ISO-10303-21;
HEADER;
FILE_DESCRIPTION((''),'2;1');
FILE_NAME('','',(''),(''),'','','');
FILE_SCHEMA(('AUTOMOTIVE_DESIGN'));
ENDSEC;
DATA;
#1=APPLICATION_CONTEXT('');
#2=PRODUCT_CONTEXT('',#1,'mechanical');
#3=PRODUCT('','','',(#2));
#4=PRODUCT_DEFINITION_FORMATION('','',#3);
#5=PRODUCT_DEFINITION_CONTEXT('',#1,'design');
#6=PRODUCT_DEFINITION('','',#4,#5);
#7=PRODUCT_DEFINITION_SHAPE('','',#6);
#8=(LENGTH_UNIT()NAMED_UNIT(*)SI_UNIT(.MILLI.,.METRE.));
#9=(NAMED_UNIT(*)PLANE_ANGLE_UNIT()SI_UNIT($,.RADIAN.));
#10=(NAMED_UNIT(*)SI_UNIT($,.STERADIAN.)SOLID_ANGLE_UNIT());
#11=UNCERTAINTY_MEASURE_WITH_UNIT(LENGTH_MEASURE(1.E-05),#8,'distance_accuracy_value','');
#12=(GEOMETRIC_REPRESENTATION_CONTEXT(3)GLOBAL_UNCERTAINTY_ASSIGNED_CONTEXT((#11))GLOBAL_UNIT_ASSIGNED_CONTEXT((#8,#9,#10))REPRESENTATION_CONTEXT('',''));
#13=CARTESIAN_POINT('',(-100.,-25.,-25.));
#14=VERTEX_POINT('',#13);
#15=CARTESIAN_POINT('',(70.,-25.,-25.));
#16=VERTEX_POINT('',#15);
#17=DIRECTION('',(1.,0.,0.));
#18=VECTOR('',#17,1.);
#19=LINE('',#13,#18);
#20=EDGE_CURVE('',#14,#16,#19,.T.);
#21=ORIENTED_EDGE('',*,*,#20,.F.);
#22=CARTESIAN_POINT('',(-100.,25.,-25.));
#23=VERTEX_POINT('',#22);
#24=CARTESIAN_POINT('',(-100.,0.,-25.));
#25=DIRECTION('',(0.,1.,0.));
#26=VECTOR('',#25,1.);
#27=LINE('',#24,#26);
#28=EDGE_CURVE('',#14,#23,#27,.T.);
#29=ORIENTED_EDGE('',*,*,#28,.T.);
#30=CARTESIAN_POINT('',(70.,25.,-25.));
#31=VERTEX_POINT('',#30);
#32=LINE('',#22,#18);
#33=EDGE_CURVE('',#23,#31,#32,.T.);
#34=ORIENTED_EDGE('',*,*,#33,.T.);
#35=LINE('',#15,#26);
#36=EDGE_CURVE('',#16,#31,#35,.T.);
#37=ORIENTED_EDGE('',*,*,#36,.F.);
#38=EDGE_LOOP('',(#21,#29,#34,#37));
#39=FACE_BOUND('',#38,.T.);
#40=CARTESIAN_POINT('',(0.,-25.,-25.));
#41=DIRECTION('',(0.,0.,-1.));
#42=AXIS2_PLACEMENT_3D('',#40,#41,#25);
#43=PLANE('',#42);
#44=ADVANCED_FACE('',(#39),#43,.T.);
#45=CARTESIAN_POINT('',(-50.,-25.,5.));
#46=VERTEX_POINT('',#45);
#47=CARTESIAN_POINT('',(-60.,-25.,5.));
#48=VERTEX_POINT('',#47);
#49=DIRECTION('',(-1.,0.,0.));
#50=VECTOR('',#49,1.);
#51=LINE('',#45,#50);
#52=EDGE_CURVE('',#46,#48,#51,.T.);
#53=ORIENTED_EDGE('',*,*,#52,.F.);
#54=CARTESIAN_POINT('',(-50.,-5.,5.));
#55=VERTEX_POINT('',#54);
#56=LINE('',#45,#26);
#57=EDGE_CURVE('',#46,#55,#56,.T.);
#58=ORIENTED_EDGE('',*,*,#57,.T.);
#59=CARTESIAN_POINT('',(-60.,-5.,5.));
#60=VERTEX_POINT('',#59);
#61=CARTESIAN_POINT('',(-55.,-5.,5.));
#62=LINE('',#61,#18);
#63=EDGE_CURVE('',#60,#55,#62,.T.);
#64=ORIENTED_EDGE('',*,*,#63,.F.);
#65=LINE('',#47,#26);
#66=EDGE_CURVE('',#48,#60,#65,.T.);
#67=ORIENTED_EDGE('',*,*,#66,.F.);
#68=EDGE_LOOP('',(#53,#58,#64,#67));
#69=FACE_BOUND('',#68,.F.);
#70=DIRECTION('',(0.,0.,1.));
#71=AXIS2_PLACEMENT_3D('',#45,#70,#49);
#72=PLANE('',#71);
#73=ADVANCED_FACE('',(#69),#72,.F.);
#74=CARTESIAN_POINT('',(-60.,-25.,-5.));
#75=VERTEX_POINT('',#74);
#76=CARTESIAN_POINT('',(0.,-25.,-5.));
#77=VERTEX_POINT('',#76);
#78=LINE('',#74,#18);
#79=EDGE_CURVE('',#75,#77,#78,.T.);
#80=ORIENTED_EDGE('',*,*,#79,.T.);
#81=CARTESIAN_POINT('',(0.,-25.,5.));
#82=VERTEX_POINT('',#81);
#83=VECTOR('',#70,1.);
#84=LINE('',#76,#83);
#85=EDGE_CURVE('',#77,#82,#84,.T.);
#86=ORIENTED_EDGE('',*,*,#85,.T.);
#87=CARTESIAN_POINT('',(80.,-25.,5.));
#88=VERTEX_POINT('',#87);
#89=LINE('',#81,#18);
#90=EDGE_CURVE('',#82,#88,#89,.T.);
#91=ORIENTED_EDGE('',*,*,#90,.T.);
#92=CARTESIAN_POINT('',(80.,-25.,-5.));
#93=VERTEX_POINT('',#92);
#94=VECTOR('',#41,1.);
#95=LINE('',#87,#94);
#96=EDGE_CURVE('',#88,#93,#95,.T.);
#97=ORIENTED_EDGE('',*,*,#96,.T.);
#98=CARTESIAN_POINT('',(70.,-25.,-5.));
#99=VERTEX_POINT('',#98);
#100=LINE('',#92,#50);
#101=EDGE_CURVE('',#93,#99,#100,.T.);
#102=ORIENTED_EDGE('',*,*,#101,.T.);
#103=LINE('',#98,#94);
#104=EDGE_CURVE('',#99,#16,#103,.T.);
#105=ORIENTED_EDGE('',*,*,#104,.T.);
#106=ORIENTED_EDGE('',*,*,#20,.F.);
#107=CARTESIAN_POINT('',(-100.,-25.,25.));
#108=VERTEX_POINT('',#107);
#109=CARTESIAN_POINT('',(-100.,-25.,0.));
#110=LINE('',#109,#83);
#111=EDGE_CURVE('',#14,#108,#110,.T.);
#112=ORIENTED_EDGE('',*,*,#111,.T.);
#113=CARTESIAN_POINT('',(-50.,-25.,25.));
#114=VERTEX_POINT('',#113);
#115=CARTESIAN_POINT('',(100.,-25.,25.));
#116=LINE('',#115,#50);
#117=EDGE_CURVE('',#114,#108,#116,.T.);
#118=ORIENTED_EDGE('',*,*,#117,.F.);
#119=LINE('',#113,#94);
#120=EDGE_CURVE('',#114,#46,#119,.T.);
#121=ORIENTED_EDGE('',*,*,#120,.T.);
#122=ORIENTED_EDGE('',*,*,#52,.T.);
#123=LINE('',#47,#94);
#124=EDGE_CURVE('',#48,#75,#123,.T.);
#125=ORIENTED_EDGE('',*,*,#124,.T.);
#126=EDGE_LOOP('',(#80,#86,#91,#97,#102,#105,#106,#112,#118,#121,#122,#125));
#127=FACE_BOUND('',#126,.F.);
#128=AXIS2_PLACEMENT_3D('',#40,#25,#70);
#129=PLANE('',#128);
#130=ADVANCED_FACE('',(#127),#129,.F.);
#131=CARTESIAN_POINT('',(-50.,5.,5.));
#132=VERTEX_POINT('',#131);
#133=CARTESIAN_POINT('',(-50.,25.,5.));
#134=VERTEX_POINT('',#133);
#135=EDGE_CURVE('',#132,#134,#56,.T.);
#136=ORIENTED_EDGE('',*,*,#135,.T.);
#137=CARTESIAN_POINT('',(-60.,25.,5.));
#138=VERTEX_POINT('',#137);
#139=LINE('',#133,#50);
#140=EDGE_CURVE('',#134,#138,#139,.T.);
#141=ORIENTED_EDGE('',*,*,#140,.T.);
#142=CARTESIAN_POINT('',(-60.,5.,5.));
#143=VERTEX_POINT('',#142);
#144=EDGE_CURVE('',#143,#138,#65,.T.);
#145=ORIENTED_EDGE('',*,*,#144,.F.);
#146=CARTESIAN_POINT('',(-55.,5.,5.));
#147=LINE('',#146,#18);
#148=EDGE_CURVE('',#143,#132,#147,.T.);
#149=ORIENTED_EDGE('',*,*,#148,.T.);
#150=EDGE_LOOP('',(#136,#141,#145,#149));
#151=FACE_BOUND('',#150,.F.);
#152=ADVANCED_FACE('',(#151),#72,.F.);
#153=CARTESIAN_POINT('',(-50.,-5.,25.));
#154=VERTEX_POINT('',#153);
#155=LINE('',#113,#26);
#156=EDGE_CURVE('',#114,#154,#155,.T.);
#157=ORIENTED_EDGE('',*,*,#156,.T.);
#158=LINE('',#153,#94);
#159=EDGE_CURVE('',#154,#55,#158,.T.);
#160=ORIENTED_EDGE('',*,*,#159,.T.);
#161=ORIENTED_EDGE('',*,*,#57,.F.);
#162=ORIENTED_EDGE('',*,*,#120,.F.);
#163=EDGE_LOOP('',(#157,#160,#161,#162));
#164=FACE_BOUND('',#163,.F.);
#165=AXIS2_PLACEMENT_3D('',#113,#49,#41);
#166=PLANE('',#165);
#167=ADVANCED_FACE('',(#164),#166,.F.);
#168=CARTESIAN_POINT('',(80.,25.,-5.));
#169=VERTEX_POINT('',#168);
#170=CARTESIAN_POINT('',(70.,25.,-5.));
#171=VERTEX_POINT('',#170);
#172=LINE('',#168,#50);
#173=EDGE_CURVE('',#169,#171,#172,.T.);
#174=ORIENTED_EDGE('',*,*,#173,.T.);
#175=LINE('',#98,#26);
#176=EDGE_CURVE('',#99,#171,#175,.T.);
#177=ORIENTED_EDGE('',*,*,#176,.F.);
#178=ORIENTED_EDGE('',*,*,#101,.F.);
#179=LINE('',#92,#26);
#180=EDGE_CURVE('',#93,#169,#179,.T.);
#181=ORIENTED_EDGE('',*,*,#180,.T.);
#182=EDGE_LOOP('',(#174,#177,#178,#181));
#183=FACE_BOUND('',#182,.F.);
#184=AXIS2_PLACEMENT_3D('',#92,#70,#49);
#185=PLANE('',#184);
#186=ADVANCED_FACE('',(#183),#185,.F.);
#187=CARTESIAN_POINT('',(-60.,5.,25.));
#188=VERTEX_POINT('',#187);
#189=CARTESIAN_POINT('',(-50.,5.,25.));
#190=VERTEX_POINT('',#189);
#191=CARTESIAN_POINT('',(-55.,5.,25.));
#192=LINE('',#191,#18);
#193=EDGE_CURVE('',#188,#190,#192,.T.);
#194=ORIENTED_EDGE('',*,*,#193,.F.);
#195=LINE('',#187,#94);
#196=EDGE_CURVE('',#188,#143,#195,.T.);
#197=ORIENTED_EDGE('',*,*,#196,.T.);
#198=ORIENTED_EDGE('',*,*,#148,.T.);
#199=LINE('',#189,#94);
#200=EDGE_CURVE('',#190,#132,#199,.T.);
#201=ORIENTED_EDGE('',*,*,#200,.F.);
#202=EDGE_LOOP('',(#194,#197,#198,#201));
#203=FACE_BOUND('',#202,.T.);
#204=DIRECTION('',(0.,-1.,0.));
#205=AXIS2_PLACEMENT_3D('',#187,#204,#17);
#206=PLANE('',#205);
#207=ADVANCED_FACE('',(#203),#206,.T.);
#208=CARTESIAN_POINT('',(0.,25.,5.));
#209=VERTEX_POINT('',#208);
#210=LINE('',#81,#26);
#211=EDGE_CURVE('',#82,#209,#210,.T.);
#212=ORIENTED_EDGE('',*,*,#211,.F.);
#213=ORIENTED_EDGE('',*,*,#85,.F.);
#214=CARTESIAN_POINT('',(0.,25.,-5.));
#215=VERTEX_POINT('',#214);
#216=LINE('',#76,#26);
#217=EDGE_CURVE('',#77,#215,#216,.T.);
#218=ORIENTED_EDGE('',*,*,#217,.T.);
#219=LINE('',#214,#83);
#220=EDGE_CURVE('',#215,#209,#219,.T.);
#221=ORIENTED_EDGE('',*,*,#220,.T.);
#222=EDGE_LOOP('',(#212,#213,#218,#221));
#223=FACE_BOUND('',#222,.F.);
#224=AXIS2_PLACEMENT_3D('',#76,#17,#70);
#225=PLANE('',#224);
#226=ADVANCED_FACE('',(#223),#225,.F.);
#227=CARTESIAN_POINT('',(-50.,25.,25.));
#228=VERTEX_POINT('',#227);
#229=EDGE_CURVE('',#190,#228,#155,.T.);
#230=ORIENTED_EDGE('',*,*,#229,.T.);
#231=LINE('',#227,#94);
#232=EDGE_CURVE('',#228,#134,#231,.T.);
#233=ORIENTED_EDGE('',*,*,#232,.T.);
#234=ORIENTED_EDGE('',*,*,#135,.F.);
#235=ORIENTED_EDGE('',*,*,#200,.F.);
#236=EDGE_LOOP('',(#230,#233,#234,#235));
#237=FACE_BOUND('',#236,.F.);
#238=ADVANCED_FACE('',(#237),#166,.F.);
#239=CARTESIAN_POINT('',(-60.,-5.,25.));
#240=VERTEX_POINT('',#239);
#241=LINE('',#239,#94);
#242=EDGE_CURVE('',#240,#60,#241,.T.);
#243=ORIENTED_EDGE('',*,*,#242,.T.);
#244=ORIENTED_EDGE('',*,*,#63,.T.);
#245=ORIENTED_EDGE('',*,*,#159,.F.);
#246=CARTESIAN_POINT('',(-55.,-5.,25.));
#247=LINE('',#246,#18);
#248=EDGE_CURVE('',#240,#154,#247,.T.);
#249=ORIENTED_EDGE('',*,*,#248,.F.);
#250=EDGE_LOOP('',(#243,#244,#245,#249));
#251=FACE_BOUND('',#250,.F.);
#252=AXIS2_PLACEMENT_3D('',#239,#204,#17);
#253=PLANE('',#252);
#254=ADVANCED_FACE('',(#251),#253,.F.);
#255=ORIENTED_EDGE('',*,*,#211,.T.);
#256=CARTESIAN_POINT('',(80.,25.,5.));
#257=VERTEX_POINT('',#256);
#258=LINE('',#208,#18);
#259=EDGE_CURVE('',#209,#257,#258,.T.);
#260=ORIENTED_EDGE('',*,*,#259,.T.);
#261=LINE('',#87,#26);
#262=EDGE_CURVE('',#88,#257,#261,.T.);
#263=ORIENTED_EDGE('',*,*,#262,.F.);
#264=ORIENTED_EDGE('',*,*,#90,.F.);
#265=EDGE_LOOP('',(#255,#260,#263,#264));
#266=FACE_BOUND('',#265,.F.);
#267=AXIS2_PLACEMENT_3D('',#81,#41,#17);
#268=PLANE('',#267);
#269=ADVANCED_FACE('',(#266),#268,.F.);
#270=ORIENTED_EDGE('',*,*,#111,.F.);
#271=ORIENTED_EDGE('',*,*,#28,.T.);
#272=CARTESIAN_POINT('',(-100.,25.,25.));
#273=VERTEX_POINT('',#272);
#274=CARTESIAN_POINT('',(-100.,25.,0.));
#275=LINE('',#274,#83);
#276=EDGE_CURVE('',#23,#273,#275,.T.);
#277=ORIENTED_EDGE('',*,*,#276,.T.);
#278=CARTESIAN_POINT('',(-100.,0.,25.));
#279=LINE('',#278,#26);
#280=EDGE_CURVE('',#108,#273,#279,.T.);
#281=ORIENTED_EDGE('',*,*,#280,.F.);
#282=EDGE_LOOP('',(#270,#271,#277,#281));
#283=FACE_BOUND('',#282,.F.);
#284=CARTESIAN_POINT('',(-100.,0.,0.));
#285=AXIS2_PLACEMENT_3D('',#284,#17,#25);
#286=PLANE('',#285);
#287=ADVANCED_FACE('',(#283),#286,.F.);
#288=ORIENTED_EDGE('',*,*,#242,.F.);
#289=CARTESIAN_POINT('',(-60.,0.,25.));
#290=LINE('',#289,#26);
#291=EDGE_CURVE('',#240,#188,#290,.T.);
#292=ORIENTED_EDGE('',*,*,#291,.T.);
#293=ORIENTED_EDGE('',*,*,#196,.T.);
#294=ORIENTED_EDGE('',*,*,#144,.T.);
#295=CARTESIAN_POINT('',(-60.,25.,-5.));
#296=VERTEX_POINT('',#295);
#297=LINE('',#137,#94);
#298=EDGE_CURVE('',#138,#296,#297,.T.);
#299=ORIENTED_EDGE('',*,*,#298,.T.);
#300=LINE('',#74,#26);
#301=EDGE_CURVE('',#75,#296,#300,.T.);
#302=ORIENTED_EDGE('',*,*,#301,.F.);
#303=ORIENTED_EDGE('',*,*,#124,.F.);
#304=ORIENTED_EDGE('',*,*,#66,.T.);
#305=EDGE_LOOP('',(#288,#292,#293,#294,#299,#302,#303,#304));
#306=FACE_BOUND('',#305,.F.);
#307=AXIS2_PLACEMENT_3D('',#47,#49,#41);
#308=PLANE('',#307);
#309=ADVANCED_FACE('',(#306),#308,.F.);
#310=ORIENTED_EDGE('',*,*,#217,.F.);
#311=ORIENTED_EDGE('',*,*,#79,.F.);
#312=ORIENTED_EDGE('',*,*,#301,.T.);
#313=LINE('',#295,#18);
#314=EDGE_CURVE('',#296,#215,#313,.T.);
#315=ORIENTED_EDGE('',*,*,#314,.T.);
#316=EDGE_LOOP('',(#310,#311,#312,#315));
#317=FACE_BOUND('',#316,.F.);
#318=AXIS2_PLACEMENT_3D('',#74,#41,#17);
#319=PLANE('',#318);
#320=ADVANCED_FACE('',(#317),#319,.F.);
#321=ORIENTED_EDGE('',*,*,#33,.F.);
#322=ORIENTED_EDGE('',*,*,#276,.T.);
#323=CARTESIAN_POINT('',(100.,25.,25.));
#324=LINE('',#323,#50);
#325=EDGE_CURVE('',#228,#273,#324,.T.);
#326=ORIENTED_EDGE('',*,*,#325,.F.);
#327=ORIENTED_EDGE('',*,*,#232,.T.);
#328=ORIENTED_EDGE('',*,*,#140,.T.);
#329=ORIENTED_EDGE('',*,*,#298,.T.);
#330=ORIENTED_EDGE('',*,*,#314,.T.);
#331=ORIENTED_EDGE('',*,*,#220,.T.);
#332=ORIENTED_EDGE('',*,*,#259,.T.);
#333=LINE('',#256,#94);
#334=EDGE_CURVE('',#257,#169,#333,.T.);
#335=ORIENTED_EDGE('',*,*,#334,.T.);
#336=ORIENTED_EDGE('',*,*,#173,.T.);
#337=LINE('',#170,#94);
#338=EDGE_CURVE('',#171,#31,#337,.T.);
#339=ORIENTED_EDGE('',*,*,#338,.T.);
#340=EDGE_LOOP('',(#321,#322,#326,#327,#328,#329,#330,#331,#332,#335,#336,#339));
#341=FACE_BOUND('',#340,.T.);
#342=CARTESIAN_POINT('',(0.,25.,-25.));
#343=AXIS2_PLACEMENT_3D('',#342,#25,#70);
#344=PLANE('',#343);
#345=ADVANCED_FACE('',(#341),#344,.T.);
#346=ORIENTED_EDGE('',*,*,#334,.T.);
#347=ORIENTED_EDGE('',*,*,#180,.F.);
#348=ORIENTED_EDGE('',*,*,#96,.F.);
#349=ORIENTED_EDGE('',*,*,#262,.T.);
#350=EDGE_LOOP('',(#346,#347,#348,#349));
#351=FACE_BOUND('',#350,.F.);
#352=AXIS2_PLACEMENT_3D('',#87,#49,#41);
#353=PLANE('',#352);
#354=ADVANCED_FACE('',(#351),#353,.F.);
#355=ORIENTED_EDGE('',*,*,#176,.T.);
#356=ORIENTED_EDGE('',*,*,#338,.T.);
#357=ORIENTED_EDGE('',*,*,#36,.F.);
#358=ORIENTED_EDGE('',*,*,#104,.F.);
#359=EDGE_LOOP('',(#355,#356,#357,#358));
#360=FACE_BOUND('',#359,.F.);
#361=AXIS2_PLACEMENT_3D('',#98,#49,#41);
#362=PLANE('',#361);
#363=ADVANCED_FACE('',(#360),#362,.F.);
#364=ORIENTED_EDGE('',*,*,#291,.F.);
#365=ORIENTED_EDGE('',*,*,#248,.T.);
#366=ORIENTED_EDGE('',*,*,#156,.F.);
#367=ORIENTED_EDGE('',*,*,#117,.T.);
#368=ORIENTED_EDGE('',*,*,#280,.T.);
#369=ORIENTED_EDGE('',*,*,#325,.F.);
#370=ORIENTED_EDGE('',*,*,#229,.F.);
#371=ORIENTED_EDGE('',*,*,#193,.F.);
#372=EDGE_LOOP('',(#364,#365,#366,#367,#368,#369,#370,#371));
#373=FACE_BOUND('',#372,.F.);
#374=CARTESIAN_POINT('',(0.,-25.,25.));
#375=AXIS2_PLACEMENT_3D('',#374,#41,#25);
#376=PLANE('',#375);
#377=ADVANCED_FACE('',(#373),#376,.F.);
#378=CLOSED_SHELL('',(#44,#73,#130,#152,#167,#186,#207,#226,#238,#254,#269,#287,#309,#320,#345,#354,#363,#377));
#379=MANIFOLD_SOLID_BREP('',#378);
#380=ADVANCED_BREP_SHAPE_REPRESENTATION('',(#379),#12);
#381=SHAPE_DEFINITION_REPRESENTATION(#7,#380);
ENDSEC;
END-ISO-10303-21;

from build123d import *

# Parameters (mm, degrees)
F0_W     = 50
F0_H     = 50
F1_DEPTH = 100
F3_DEPTH = 50
F4_W     = 10
F4_H     = 10
F5_DEPTH = 20


with BuildPart() as f1:
    # F0 (on Right) → F1 (new body, symmetric)
    with BuildSketch(Plane.YZ):
        Rectangle(F0_W, F0_H)
    extrude(amount=F1_DEPTH, both=True)

    # F2 (on face) → F3 (cut, through all)
    with BuildSketch(Plane.XZ.offset(25)):
        Polygon((-60, 5), (-60, -5), (0, -5), (0, 5), (80, 5), (80, -5), (70, -5), (70, -25), (100, -25), (100, 25), (-50, 25), (-50, 5), align=None)
    extrude(amount=-F3_DEPTH, mode=Mode.SUBTRACT)

    # F4 (on face) → F5 (cut, through all)
    with BuildSketch(Plane.XY.offset(25)):
        with Locations((-55, 0)):
            Rectangle(F4_W, F4_H)
    extrude(amount=-F5_DEPTH, mode=Mode.SUBTRACT)


solid = f1.part
